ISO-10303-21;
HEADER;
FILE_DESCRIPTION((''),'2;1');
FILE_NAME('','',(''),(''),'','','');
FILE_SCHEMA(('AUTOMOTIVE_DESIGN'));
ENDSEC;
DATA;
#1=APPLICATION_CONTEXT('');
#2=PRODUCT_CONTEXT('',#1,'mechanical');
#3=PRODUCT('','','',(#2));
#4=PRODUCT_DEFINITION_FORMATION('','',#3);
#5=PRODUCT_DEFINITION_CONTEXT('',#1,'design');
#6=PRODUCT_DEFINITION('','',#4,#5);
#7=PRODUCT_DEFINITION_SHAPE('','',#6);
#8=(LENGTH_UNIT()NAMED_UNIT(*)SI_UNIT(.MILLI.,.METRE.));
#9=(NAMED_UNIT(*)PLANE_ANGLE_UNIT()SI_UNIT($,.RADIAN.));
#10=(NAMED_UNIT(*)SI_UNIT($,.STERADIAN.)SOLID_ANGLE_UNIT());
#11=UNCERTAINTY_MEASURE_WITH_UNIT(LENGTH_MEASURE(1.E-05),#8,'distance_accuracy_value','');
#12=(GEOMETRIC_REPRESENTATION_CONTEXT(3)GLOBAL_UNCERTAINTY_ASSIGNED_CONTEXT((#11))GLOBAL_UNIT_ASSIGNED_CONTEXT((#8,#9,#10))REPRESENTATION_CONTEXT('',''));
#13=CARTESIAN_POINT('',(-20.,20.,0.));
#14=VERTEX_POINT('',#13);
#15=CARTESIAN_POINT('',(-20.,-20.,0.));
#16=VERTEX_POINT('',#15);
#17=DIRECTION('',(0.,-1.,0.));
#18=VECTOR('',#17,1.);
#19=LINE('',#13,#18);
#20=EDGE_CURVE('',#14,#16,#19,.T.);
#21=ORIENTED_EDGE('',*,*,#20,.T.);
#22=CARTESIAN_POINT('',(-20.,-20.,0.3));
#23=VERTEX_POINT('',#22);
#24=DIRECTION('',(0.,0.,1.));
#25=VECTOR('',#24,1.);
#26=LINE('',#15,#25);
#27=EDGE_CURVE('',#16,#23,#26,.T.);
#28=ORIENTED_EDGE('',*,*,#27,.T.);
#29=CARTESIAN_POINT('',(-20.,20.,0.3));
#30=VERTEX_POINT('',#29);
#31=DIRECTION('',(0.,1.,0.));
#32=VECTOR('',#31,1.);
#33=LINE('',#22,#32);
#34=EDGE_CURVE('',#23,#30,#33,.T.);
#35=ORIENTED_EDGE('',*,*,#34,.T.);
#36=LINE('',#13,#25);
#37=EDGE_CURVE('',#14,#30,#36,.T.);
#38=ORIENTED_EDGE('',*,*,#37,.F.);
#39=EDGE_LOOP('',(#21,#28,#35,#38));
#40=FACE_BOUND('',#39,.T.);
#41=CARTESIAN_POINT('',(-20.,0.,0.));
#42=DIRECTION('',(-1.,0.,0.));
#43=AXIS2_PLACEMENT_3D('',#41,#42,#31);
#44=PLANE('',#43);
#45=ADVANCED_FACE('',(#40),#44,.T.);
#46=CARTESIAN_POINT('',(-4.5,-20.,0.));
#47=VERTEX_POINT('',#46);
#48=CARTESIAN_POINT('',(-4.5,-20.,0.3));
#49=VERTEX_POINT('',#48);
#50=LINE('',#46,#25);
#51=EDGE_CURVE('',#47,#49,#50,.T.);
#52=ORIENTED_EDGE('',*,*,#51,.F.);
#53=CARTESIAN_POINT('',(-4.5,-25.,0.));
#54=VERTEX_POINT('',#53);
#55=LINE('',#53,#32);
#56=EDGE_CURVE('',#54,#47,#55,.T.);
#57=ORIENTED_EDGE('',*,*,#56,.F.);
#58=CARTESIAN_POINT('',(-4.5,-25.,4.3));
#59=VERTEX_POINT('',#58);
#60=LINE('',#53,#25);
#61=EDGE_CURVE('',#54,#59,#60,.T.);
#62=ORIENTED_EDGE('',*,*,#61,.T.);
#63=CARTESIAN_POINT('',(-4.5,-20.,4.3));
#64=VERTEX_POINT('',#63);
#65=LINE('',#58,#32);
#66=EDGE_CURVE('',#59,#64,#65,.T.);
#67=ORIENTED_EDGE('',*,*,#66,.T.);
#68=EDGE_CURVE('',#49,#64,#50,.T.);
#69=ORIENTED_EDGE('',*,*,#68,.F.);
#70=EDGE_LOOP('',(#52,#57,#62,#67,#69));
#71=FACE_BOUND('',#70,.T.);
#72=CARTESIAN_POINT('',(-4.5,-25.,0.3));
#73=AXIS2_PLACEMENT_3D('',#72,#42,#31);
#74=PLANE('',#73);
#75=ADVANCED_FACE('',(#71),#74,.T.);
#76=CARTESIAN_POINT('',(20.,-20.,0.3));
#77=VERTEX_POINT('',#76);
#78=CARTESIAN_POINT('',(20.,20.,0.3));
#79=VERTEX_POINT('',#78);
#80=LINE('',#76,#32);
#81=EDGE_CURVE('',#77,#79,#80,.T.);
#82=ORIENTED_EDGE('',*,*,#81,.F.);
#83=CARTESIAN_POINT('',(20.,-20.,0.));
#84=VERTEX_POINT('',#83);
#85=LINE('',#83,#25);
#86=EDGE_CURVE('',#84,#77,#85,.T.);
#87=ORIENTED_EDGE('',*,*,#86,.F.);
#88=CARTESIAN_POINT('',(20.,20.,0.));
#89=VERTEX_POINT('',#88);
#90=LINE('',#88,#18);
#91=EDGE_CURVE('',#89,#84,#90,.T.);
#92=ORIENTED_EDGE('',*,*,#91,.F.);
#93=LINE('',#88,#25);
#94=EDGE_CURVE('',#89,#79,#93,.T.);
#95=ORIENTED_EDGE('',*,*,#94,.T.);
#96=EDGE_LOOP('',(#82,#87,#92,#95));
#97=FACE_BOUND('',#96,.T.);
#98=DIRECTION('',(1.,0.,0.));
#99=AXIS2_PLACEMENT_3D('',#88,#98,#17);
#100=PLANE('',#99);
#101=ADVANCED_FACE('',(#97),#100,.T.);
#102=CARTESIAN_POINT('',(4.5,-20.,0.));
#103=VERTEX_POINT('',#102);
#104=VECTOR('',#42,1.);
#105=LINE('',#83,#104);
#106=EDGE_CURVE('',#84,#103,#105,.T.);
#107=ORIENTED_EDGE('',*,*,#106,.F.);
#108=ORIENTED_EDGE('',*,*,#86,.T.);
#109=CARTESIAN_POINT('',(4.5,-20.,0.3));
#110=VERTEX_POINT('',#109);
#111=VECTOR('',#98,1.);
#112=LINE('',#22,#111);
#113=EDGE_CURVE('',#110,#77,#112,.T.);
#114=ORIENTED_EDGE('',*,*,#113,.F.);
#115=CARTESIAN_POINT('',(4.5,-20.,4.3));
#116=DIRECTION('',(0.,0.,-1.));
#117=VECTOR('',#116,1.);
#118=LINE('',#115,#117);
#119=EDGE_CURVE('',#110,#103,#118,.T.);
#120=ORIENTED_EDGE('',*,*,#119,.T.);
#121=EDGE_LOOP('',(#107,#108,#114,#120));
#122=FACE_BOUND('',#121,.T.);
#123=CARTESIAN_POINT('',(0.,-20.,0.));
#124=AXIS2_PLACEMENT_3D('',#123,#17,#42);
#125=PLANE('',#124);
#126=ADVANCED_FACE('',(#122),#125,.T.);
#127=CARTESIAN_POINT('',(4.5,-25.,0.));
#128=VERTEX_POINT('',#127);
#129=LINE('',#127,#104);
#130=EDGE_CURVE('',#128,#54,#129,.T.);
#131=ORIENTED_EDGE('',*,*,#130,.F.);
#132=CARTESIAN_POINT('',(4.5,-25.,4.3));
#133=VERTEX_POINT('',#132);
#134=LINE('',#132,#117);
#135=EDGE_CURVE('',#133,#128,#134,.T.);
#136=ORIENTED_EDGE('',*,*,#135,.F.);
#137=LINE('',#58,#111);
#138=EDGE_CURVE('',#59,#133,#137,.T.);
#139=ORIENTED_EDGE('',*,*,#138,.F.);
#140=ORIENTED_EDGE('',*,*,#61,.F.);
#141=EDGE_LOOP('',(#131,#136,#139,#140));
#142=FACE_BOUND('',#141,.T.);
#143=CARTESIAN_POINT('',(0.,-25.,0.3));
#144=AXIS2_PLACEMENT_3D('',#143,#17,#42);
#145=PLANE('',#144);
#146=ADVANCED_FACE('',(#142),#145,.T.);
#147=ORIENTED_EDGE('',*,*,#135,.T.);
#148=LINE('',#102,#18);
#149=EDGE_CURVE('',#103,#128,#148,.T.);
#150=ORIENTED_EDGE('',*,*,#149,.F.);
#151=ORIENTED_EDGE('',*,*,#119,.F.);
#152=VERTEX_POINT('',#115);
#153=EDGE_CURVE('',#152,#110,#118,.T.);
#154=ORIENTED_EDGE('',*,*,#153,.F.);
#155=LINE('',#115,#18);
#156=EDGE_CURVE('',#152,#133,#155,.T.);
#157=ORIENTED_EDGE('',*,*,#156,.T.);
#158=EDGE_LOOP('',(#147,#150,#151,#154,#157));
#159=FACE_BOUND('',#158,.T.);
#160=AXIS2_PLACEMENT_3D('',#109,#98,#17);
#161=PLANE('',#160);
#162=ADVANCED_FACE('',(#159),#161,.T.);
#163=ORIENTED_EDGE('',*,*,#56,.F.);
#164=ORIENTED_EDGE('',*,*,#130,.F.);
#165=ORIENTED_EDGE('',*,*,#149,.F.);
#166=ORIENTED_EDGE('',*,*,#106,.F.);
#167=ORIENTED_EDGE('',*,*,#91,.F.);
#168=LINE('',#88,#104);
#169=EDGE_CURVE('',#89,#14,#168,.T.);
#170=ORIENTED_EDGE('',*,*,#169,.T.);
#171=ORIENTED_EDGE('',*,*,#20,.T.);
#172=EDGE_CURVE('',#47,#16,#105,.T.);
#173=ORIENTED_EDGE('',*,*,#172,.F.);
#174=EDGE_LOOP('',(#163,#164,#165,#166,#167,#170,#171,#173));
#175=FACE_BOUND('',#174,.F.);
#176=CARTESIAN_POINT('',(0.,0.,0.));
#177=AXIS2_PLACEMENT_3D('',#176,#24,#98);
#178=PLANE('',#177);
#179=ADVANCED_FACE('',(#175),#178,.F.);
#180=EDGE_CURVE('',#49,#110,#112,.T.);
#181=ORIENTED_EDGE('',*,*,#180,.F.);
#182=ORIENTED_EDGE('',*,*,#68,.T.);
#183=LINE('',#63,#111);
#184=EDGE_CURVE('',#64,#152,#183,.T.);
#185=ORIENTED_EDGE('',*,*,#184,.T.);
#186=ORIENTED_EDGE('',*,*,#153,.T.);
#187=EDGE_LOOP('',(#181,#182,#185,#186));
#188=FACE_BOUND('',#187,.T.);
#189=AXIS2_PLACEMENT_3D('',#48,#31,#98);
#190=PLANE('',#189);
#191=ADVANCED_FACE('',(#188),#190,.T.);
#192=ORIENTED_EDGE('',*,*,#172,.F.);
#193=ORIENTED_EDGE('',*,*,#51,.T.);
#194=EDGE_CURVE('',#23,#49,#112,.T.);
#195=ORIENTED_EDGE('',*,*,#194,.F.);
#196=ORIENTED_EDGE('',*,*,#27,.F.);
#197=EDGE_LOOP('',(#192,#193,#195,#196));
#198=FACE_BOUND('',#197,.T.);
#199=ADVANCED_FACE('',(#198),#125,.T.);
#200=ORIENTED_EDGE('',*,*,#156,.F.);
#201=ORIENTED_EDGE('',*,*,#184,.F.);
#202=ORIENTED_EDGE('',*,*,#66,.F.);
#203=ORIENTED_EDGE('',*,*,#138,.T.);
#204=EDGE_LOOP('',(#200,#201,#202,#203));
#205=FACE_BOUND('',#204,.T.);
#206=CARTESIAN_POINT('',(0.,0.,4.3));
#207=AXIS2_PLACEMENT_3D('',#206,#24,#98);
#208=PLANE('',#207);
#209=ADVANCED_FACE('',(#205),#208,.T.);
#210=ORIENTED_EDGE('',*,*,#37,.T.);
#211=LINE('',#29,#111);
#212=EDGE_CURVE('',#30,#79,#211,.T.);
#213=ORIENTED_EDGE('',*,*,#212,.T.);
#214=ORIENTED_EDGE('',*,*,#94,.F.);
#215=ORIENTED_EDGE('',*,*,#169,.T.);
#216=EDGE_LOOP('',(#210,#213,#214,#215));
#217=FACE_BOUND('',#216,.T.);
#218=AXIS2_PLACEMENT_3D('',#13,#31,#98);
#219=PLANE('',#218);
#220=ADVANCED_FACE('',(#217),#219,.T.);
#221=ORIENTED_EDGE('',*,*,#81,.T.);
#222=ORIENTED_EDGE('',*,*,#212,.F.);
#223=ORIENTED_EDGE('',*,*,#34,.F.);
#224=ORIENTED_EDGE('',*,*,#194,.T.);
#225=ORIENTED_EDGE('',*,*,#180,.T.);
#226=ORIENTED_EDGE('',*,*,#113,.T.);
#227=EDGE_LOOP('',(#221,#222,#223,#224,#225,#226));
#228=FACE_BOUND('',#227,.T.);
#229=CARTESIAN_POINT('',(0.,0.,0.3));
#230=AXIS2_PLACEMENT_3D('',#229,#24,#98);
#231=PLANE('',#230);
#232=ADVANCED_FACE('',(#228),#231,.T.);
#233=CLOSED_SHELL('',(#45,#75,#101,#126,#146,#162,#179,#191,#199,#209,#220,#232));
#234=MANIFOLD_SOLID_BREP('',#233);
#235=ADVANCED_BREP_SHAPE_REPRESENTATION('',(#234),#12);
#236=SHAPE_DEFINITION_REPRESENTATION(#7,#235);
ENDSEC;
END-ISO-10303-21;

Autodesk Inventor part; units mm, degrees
ref_plane "YZ Plane" through (0, 0, 0) normal (1, 0, 0) x (0, 1, 0)
ref_plane "XZ Plane" through (0, 0, 0) normal (0, 1, 0) x (-1, 0, 0)
ref_plane "XY Plane" through (0, 0, 0) normal (0, 0, 1) x (1, 0, 0)
sketch "Skizze1" plane through (0, 0, 0) normal (0, 0, 1) x (1, 0, 0)
  line L0 (-20, 20) -> (20, 20)
  line L1 (20, 20) -> (20, -20)
  line L2 (20, -20) -> (-20, -20)
  line L3 (-20, -20) -> (-20, 20)
  line L4 (0, 20) -> (0, -20)
  line L5 (-20, 0) -> (20, 0)
  point P0 (0, 0)
  point P1 (0, 0)
  point P2 (-20, 0)
  point P3 (0, 0)
  point P4 (20, 0)
  dimension "d1" = 40
  dimension "d2" = 40
extrude "Extrusion1" add sketch "Skizze1" along normal blind 0.3
sketch "Skizze2" plane through (0, 0, 0.3) normal (0, 0, 1) x (1, 0, 0)
  line L0 (-20, -20) -> (20, -20) projected
  line L1 (-4.5, -20) -> (4.5, -20)
  line L2 (4.5, -20) -> (4.5, -25)
  line L3 (4.5, -25) -> (-4.5, -25)
  line L4 (-4.5, -25) -> (-4.5, -20)
  line L5 (0, -20) -> (0, -25)
  point P0 (0, 0)
  dimension "d5" = 5
  dimension "d6" = 9
extrude "Extrusion2" add sketch "Skizze2" along normal blind 4 and the other way blind 0.3
equation "\"d2\" = d1"
properties part number "basicdifuserthin"
